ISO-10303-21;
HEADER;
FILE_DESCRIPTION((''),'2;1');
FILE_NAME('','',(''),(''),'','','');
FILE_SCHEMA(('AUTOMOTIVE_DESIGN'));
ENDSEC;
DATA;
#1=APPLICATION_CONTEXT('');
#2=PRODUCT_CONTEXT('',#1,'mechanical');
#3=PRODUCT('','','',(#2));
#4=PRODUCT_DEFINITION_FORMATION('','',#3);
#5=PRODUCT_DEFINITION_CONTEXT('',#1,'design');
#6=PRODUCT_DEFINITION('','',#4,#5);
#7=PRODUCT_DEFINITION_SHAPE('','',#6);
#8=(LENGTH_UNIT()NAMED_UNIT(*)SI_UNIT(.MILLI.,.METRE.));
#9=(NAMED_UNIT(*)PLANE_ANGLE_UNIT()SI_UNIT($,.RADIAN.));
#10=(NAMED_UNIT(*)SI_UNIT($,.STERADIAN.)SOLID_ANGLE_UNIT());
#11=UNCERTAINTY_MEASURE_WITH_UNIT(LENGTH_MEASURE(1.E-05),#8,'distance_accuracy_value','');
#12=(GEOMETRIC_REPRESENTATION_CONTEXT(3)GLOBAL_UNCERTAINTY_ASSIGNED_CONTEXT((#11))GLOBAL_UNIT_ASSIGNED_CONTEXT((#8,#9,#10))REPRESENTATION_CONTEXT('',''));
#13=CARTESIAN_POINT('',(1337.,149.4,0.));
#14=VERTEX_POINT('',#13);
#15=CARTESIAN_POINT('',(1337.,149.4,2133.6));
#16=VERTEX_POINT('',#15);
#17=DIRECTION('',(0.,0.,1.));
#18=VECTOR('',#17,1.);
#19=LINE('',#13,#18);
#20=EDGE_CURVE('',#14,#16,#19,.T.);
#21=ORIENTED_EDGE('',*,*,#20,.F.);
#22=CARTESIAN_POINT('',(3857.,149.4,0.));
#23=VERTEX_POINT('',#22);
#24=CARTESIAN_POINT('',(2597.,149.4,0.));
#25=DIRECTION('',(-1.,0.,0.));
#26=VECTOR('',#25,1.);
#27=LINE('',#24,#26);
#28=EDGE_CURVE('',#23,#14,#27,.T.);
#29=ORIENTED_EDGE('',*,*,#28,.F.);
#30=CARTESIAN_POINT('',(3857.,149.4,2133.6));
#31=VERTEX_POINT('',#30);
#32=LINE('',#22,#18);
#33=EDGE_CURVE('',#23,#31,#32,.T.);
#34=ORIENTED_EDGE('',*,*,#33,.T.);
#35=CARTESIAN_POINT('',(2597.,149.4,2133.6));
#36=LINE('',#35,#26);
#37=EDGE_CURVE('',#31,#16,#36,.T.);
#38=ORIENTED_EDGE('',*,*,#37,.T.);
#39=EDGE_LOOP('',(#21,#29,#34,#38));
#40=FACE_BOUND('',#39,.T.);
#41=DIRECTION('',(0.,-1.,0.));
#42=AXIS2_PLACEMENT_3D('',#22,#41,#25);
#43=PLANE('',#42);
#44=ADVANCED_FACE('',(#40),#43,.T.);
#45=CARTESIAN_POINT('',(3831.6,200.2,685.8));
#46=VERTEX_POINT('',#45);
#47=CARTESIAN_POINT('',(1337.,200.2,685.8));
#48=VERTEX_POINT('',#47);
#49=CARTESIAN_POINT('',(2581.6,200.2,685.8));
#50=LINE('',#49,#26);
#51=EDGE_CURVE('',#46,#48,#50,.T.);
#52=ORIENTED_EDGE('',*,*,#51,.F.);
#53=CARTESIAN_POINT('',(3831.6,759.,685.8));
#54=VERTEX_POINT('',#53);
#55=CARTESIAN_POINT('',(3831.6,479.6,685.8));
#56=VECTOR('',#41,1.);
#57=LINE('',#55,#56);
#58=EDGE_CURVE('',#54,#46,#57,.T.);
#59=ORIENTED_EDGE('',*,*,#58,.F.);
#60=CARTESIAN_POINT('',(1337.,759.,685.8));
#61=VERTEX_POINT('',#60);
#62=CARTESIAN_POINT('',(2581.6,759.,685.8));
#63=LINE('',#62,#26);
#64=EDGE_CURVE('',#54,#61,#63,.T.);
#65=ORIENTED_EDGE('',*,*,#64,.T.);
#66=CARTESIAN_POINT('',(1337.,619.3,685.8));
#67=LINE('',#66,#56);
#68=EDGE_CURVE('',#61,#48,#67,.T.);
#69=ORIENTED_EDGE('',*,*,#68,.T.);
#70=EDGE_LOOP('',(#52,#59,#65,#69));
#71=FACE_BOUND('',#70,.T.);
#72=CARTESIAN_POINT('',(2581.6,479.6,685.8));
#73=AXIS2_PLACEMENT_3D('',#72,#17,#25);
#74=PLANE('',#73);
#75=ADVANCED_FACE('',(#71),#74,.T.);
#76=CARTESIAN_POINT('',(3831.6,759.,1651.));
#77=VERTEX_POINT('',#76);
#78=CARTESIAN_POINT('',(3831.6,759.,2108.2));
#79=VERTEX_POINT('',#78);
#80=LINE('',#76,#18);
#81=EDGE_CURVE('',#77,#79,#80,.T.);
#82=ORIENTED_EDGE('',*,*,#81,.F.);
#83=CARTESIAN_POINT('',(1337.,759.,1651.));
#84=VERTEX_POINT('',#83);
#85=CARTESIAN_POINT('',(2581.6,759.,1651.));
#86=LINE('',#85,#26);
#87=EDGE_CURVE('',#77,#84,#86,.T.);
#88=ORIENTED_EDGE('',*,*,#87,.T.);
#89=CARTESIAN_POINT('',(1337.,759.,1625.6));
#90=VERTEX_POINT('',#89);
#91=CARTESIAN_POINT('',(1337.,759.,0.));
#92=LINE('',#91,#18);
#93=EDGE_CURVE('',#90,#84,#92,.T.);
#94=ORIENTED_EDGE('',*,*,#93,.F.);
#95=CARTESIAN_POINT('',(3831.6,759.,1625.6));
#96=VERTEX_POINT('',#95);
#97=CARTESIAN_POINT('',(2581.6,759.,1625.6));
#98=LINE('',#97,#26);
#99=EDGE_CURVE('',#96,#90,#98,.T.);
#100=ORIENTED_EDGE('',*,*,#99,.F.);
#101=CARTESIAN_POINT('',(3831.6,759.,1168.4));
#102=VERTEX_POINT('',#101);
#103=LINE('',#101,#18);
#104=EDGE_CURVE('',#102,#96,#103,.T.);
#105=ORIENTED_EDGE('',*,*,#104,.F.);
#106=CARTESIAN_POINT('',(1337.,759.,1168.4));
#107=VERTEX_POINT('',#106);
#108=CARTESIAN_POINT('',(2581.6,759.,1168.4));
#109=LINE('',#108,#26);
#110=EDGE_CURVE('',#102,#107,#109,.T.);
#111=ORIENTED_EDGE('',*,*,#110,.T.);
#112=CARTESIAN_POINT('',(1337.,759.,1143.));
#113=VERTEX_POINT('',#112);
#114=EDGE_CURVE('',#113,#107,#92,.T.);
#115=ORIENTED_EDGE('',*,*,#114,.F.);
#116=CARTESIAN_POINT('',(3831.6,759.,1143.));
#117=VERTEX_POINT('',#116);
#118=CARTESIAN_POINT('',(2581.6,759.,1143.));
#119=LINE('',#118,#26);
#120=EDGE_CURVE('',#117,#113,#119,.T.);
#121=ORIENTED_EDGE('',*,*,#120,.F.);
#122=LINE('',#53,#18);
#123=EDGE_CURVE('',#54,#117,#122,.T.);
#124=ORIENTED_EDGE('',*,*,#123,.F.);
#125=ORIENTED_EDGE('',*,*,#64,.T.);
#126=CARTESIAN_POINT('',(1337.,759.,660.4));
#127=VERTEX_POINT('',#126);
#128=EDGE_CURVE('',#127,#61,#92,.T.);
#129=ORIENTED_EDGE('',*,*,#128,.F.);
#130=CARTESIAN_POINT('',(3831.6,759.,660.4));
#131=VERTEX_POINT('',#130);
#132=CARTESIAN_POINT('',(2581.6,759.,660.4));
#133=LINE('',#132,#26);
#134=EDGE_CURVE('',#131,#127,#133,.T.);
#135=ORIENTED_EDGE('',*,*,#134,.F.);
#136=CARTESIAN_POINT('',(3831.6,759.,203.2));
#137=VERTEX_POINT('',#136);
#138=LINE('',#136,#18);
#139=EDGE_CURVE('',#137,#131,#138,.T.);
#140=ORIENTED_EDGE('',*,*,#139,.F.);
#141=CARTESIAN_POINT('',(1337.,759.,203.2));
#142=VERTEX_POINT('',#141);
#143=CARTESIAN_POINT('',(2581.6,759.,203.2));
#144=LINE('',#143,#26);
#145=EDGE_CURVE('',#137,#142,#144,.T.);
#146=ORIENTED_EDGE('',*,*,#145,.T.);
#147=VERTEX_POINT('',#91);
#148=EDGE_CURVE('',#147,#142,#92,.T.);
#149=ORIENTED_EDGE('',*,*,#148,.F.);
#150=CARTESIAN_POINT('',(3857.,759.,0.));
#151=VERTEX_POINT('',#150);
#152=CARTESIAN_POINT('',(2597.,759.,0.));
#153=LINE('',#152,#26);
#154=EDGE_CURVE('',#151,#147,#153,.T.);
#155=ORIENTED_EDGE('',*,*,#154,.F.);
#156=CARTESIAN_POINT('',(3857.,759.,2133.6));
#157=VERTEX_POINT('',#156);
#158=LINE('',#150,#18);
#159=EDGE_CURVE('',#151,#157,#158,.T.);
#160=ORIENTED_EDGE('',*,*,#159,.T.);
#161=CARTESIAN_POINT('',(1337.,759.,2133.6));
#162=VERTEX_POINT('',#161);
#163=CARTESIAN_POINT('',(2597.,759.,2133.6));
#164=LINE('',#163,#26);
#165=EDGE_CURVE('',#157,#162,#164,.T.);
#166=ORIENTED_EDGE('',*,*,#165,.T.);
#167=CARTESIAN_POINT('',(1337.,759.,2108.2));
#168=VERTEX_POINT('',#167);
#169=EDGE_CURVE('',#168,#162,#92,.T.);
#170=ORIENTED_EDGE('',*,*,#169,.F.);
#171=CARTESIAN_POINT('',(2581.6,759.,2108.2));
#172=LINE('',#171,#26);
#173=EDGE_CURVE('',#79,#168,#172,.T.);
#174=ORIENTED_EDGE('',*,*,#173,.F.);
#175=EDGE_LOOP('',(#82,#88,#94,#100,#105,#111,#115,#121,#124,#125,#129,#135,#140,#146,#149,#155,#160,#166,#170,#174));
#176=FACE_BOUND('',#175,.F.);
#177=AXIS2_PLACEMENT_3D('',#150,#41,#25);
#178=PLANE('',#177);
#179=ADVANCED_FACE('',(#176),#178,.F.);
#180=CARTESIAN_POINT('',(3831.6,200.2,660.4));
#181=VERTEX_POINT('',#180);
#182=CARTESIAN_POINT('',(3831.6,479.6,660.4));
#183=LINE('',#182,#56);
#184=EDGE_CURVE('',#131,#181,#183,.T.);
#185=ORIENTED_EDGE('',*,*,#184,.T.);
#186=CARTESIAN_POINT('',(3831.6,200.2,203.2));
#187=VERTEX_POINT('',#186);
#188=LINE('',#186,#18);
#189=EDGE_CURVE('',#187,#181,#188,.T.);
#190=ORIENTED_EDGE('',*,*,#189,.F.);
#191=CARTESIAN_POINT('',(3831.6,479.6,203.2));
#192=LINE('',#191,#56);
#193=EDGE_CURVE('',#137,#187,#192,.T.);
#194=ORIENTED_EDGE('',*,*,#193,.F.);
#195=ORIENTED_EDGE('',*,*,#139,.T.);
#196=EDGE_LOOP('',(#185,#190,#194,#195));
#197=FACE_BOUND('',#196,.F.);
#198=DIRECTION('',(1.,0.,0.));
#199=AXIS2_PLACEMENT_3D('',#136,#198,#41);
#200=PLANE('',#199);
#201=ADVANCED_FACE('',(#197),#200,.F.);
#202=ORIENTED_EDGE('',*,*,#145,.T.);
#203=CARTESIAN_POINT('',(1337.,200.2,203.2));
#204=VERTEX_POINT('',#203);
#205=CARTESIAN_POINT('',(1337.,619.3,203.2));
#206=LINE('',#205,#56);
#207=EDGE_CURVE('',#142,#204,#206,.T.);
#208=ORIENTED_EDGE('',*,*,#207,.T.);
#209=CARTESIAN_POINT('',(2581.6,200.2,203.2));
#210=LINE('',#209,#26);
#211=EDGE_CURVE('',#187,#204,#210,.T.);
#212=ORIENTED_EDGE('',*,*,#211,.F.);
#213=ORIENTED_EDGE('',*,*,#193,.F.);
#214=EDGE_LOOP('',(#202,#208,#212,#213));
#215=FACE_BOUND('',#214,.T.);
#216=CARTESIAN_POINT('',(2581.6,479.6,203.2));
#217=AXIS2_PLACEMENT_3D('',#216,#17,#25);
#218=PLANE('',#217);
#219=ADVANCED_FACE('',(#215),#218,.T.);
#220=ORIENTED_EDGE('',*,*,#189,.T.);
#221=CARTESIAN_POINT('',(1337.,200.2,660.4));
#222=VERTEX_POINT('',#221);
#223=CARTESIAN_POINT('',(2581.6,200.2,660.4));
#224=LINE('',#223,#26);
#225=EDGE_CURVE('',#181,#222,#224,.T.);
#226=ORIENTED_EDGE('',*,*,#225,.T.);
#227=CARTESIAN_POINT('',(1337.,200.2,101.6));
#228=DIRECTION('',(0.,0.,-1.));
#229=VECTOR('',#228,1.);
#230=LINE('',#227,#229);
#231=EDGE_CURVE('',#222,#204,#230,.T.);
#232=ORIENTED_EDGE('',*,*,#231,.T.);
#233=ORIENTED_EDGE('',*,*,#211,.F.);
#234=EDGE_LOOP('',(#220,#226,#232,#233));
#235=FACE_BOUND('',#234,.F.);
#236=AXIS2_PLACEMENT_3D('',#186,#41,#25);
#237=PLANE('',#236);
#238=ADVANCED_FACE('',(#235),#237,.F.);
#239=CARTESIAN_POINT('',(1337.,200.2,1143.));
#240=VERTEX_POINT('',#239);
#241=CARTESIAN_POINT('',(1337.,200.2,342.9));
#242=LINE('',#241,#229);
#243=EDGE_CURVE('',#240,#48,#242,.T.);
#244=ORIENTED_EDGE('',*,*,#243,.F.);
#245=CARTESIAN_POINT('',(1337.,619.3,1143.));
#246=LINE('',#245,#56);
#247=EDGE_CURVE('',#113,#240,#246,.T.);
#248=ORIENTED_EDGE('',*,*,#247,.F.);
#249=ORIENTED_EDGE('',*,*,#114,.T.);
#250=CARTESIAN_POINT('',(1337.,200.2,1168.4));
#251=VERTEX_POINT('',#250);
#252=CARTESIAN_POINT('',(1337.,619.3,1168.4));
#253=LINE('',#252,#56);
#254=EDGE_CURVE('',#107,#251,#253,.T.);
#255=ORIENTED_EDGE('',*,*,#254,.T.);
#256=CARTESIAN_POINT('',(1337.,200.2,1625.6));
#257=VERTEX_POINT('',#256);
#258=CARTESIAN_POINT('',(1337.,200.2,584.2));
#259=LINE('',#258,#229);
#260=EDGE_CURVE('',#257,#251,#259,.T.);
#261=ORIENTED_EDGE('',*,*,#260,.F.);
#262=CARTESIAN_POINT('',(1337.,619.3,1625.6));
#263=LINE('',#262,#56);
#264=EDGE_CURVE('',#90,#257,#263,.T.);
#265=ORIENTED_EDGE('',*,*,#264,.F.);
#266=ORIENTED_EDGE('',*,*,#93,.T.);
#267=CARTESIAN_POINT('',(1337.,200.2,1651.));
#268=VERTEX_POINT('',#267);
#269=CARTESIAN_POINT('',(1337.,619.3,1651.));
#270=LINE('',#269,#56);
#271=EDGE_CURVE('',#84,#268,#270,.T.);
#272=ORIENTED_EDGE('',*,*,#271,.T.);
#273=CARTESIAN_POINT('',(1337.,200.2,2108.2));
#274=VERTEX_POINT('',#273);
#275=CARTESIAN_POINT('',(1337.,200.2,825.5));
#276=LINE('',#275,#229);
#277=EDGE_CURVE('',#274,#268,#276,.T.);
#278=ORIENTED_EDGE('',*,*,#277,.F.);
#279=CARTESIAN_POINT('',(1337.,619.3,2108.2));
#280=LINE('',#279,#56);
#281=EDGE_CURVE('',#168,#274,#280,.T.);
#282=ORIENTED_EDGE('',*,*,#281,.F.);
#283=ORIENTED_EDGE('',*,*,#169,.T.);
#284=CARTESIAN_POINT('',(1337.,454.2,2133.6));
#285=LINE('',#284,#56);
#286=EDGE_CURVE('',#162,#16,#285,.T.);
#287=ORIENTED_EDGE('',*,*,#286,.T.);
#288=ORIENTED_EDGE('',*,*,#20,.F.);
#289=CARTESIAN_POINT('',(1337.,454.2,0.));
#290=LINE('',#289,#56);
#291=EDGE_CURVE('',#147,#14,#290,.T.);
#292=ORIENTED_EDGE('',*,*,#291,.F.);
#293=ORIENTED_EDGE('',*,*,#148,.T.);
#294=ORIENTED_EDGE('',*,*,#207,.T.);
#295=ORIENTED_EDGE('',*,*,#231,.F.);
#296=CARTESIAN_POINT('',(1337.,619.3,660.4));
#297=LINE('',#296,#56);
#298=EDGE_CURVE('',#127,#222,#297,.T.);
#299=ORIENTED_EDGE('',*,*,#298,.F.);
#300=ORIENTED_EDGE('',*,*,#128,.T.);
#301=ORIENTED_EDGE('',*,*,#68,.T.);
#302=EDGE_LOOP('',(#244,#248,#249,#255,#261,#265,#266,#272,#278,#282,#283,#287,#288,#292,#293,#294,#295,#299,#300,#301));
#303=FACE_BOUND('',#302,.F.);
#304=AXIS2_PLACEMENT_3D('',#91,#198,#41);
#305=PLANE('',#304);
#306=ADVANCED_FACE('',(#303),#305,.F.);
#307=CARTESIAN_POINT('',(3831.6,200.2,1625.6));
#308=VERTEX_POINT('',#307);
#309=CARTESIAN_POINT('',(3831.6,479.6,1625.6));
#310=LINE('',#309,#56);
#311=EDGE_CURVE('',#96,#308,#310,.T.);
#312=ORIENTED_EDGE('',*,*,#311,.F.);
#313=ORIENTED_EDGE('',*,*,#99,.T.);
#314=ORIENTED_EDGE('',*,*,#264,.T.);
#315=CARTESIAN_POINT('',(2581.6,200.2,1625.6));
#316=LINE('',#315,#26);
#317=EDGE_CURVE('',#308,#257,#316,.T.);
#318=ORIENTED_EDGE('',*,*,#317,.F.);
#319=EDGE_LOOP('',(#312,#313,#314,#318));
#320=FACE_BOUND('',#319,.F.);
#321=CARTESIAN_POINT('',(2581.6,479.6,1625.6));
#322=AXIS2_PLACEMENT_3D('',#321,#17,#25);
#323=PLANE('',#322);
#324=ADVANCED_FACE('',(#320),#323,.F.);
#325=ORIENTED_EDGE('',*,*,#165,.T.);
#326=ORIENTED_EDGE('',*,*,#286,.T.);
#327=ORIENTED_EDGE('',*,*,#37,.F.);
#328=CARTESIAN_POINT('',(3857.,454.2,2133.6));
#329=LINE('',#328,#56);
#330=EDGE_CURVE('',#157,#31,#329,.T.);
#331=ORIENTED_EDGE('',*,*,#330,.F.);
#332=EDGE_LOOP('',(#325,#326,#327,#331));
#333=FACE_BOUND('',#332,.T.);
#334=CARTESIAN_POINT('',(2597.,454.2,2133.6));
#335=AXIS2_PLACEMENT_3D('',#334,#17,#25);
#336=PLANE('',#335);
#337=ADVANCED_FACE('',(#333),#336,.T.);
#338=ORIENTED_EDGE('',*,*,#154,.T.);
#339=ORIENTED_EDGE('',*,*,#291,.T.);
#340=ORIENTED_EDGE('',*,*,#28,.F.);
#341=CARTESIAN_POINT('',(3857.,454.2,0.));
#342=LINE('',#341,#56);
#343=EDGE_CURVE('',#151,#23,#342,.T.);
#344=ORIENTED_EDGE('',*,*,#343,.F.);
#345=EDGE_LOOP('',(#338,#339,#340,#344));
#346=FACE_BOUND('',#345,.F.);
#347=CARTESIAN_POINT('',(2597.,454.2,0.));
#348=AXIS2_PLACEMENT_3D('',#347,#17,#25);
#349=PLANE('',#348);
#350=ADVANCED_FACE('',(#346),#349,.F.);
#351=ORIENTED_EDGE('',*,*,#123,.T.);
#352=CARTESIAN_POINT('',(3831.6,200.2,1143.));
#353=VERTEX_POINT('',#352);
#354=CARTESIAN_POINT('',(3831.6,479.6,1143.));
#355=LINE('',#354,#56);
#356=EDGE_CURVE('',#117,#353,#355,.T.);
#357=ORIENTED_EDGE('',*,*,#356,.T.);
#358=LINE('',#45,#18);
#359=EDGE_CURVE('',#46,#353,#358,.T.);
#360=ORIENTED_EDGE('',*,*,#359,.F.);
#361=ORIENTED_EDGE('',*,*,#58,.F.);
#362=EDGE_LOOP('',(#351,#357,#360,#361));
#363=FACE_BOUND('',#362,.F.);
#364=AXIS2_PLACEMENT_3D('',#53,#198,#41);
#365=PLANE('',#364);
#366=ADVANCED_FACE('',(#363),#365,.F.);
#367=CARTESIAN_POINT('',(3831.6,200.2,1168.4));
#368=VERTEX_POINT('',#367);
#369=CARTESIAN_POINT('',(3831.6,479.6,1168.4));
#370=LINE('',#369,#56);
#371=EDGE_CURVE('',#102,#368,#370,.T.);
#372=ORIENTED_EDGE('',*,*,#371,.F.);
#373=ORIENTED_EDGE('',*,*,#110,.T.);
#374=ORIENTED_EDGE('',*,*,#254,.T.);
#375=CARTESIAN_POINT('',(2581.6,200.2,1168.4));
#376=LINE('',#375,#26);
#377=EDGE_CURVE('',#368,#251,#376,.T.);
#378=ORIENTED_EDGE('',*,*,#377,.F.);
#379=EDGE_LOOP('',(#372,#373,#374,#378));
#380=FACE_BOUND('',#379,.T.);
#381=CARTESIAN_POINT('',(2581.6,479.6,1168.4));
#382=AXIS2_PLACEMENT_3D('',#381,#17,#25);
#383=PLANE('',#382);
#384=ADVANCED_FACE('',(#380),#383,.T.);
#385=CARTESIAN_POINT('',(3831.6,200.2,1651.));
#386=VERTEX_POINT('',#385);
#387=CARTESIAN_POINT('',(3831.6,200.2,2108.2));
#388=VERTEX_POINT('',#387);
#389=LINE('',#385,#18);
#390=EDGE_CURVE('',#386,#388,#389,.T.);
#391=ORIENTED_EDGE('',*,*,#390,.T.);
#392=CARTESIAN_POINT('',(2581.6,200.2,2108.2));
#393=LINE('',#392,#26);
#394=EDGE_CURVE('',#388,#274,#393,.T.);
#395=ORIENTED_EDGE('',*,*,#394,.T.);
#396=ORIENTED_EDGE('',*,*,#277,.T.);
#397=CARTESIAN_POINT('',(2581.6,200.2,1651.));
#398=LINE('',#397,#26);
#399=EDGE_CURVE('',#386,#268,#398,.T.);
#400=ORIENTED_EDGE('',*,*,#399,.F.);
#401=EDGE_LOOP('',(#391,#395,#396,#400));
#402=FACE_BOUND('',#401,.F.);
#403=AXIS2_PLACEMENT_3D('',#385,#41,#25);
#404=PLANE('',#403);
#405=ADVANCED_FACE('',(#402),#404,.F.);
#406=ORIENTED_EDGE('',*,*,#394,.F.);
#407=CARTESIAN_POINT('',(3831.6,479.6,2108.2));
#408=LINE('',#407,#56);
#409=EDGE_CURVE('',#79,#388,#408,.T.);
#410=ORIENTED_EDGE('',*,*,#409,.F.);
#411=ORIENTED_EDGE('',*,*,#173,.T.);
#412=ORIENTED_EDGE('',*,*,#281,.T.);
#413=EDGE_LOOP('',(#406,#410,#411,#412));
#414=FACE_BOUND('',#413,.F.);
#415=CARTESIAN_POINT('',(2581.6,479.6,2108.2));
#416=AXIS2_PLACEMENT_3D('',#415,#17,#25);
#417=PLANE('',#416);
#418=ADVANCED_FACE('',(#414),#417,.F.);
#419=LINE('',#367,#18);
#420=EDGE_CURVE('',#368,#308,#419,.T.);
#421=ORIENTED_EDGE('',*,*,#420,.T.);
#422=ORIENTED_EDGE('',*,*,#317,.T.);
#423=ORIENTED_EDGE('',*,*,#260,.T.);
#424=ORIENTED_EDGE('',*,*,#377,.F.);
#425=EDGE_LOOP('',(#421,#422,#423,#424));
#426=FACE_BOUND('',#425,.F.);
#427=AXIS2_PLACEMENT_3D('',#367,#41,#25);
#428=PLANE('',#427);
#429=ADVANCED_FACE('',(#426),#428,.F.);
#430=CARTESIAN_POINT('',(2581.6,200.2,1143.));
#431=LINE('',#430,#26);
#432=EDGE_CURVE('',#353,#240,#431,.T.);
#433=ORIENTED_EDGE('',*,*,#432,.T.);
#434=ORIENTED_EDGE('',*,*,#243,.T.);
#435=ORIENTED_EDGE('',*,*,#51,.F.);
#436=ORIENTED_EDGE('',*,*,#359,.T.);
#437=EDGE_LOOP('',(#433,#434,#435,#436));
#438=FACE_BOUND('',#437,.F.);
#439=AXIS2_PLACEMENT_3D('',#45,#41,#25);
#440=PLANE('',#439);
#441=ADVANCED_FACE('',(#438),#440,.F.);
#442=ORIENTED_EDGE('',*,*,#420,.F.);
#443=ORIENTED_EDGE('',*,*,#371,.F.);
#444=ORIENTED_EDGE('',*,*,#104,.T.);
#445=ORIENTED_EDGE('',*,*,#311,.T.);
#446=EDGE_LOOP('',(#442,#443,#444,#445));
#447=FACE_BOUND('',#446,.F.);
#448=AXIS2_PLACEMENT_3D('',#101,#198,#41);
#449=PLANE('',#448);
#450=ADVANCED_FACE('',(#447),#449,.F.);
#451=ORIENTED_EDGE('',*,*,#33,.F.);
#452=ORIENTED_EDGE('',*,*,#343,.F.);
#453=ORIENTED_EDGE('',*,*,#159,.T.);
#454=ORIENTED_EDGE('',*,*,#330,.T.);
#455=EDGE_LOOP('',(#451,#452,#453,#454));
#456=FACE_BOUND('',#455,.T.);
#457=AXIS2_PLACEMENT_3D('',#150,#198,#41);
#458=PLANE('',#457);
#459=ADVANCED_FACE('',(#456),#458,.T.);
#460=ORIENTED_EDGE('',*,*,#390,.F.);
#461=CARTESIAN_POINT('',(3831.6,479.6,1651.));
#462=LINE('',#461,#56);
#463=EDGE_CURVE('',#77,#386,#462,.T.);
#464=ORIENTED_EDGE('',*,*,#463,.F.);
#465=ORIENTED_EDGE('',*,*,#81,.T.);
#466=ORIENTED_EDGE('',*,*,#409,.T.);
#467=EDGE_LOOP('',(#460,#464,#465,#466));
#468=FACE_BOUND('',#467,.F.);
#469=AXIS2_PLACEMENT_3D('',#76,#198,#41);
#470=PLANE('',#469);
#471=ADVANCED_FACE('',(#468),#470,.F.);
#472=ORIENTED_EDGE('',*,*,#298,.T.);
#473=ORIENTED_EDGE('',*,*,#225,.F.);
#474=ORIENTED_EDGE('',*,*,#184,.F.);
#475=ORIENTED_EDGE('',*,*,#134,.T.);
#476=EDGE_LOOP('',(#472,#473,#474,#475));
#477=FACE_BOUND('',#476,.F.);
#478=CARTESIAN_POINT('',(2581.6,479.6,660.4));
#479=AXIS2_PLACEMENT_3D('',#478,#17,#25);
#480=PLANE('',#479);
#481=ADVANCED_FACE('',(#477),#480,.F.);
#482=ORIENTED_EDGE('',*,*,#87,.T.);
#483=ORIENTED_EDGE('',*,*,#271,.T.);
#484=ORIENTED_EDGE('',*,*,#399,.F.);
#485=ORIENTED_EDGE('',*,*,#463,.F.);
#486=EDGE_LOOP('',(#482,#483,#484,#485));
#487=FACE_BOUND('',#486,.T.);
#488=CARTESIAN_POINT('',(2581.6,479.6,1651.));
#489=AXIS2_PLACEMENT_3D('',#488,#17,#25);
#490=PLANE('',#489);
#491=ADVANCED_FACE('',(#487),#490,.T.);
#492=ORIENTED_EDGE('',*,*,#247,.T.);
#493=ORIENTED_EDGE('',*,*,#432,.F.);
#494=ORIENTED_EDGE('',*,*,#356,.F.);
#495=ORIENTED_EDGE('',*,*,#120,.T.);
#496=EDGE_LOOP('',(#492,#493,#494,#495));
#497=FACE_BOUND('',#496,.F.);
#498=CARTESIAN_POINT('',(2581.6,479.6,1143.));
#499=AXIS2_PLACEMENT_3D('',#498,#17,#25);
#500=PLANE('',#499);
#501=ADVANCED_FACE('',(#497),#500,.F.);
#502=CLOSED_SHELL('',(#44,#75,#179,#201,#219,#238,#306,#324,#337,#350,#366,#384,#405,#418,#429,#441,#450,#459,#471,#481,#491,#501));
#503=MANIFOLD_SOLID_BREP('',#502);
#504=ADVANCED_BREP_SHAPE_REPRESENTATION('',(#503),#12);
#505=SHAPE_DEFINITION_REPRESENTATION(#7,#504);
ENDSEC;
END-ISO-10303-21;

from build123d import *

# Parameters (mm, degrees)
BOX004_W               = 2500
BOX004_H               = 558.8
BOX004_DEPTH           = 457.2
BOX003_W               = 2500
BOX003_H               = 558.8
BOX003_DEPTH           = 457.2
BOX002_W               = 2500
BOX002_H               = 558.8
BOX002_DEPTH           = 457.2
BOX001_W               = 2500
BOX001_H               = 558.8
BOX001_DEPTH           = 457.2
BOX_W                  = 2520
BOX_H                  = 609.6
BOX_DEPTH              = 2133.6
CUT003_PLACEMENT_ANGLE = 180


with BuildPart() as cube004:
    # Box004 → Box004 (new body)
    with BuildSketch(Plane(origin=(25.4, 0, 1651), x_dir=(1, 0, 0), z_dir=(0, 0, 1))):
        with Locations((1250, 279.4)):
            Rectangle(BOX004_W, BOX004_H)
    extrude(amount=BOX004_DEPTH)


with BuildPart() as cube003:
    # Box003 → Box003 (new body)
    with BuildSketch(Plane(origin=(25.4, 0, 685.8), x_dir=(1, 0, 0), z_dir=(0, 0, 1))):
        with Locations((1250, 279.4)):
            Rectangle(BOX003_W, BOX003_H)
    extrude(amount=BOX003_DEPTH)


with BuildPart() as cube002:
    # Box002 → Box002 (new body)
    with BuildSketch(Plane(origin=(25.4, 0, 203.2), x_dir=(1, 0, 0), z_dir=(0, 0, 1))):
        with Locations((1250, 279.4)):
            Rectangle(BOX002_W, BOX002_H)
    extrude(amount=BOX002_DEPTH)


with BuildPart() as cube001:
    # Box001 → Box001 (new body)
    with BuildSketch(Plane(origin=(25.4, 0, 1168.4), x_dir=(1, 0, 0), z_dir=(0, 0, 1))):
        with Locations((1250, 279.4)):
            Rectangle(BOX001_W, BOX001_H)
    extrude(amount=BOX001_DEPTH)


with BuildPart() as cut003:
    # Box → Box (new body)
    with BuildSketch(Plane.XY):
        with Locations((1260, 304.8)):
            Rectangle(BOX_W, BOX_H)
    extrude(amount=BOX_DEPTH)

    # Cut: cut Cube001
    add(cube001.part, mode=Mode.SUBTRACT)

    # Cut001: cut Cube002
    add(cube002.part, mode=Mode.SUBTRACT)

    # Cut002: cut Cube003
    add(cube003.part, mode=Mode.SUBTRACT)

    # Cut003: cut Cube004
    add(cube004.part, mode=Mode.SUBTRACT)


with BuildPart() as cut003_1:
    # Cut003 placement: moved
    add(cut003.part.moved(Location((3857, 759, 0))).rotate(Axis((3857, 759, 0), (0, 0, 1)), CUT003_PLACEMENT_ANGLE))


solid = cut003_1.part
